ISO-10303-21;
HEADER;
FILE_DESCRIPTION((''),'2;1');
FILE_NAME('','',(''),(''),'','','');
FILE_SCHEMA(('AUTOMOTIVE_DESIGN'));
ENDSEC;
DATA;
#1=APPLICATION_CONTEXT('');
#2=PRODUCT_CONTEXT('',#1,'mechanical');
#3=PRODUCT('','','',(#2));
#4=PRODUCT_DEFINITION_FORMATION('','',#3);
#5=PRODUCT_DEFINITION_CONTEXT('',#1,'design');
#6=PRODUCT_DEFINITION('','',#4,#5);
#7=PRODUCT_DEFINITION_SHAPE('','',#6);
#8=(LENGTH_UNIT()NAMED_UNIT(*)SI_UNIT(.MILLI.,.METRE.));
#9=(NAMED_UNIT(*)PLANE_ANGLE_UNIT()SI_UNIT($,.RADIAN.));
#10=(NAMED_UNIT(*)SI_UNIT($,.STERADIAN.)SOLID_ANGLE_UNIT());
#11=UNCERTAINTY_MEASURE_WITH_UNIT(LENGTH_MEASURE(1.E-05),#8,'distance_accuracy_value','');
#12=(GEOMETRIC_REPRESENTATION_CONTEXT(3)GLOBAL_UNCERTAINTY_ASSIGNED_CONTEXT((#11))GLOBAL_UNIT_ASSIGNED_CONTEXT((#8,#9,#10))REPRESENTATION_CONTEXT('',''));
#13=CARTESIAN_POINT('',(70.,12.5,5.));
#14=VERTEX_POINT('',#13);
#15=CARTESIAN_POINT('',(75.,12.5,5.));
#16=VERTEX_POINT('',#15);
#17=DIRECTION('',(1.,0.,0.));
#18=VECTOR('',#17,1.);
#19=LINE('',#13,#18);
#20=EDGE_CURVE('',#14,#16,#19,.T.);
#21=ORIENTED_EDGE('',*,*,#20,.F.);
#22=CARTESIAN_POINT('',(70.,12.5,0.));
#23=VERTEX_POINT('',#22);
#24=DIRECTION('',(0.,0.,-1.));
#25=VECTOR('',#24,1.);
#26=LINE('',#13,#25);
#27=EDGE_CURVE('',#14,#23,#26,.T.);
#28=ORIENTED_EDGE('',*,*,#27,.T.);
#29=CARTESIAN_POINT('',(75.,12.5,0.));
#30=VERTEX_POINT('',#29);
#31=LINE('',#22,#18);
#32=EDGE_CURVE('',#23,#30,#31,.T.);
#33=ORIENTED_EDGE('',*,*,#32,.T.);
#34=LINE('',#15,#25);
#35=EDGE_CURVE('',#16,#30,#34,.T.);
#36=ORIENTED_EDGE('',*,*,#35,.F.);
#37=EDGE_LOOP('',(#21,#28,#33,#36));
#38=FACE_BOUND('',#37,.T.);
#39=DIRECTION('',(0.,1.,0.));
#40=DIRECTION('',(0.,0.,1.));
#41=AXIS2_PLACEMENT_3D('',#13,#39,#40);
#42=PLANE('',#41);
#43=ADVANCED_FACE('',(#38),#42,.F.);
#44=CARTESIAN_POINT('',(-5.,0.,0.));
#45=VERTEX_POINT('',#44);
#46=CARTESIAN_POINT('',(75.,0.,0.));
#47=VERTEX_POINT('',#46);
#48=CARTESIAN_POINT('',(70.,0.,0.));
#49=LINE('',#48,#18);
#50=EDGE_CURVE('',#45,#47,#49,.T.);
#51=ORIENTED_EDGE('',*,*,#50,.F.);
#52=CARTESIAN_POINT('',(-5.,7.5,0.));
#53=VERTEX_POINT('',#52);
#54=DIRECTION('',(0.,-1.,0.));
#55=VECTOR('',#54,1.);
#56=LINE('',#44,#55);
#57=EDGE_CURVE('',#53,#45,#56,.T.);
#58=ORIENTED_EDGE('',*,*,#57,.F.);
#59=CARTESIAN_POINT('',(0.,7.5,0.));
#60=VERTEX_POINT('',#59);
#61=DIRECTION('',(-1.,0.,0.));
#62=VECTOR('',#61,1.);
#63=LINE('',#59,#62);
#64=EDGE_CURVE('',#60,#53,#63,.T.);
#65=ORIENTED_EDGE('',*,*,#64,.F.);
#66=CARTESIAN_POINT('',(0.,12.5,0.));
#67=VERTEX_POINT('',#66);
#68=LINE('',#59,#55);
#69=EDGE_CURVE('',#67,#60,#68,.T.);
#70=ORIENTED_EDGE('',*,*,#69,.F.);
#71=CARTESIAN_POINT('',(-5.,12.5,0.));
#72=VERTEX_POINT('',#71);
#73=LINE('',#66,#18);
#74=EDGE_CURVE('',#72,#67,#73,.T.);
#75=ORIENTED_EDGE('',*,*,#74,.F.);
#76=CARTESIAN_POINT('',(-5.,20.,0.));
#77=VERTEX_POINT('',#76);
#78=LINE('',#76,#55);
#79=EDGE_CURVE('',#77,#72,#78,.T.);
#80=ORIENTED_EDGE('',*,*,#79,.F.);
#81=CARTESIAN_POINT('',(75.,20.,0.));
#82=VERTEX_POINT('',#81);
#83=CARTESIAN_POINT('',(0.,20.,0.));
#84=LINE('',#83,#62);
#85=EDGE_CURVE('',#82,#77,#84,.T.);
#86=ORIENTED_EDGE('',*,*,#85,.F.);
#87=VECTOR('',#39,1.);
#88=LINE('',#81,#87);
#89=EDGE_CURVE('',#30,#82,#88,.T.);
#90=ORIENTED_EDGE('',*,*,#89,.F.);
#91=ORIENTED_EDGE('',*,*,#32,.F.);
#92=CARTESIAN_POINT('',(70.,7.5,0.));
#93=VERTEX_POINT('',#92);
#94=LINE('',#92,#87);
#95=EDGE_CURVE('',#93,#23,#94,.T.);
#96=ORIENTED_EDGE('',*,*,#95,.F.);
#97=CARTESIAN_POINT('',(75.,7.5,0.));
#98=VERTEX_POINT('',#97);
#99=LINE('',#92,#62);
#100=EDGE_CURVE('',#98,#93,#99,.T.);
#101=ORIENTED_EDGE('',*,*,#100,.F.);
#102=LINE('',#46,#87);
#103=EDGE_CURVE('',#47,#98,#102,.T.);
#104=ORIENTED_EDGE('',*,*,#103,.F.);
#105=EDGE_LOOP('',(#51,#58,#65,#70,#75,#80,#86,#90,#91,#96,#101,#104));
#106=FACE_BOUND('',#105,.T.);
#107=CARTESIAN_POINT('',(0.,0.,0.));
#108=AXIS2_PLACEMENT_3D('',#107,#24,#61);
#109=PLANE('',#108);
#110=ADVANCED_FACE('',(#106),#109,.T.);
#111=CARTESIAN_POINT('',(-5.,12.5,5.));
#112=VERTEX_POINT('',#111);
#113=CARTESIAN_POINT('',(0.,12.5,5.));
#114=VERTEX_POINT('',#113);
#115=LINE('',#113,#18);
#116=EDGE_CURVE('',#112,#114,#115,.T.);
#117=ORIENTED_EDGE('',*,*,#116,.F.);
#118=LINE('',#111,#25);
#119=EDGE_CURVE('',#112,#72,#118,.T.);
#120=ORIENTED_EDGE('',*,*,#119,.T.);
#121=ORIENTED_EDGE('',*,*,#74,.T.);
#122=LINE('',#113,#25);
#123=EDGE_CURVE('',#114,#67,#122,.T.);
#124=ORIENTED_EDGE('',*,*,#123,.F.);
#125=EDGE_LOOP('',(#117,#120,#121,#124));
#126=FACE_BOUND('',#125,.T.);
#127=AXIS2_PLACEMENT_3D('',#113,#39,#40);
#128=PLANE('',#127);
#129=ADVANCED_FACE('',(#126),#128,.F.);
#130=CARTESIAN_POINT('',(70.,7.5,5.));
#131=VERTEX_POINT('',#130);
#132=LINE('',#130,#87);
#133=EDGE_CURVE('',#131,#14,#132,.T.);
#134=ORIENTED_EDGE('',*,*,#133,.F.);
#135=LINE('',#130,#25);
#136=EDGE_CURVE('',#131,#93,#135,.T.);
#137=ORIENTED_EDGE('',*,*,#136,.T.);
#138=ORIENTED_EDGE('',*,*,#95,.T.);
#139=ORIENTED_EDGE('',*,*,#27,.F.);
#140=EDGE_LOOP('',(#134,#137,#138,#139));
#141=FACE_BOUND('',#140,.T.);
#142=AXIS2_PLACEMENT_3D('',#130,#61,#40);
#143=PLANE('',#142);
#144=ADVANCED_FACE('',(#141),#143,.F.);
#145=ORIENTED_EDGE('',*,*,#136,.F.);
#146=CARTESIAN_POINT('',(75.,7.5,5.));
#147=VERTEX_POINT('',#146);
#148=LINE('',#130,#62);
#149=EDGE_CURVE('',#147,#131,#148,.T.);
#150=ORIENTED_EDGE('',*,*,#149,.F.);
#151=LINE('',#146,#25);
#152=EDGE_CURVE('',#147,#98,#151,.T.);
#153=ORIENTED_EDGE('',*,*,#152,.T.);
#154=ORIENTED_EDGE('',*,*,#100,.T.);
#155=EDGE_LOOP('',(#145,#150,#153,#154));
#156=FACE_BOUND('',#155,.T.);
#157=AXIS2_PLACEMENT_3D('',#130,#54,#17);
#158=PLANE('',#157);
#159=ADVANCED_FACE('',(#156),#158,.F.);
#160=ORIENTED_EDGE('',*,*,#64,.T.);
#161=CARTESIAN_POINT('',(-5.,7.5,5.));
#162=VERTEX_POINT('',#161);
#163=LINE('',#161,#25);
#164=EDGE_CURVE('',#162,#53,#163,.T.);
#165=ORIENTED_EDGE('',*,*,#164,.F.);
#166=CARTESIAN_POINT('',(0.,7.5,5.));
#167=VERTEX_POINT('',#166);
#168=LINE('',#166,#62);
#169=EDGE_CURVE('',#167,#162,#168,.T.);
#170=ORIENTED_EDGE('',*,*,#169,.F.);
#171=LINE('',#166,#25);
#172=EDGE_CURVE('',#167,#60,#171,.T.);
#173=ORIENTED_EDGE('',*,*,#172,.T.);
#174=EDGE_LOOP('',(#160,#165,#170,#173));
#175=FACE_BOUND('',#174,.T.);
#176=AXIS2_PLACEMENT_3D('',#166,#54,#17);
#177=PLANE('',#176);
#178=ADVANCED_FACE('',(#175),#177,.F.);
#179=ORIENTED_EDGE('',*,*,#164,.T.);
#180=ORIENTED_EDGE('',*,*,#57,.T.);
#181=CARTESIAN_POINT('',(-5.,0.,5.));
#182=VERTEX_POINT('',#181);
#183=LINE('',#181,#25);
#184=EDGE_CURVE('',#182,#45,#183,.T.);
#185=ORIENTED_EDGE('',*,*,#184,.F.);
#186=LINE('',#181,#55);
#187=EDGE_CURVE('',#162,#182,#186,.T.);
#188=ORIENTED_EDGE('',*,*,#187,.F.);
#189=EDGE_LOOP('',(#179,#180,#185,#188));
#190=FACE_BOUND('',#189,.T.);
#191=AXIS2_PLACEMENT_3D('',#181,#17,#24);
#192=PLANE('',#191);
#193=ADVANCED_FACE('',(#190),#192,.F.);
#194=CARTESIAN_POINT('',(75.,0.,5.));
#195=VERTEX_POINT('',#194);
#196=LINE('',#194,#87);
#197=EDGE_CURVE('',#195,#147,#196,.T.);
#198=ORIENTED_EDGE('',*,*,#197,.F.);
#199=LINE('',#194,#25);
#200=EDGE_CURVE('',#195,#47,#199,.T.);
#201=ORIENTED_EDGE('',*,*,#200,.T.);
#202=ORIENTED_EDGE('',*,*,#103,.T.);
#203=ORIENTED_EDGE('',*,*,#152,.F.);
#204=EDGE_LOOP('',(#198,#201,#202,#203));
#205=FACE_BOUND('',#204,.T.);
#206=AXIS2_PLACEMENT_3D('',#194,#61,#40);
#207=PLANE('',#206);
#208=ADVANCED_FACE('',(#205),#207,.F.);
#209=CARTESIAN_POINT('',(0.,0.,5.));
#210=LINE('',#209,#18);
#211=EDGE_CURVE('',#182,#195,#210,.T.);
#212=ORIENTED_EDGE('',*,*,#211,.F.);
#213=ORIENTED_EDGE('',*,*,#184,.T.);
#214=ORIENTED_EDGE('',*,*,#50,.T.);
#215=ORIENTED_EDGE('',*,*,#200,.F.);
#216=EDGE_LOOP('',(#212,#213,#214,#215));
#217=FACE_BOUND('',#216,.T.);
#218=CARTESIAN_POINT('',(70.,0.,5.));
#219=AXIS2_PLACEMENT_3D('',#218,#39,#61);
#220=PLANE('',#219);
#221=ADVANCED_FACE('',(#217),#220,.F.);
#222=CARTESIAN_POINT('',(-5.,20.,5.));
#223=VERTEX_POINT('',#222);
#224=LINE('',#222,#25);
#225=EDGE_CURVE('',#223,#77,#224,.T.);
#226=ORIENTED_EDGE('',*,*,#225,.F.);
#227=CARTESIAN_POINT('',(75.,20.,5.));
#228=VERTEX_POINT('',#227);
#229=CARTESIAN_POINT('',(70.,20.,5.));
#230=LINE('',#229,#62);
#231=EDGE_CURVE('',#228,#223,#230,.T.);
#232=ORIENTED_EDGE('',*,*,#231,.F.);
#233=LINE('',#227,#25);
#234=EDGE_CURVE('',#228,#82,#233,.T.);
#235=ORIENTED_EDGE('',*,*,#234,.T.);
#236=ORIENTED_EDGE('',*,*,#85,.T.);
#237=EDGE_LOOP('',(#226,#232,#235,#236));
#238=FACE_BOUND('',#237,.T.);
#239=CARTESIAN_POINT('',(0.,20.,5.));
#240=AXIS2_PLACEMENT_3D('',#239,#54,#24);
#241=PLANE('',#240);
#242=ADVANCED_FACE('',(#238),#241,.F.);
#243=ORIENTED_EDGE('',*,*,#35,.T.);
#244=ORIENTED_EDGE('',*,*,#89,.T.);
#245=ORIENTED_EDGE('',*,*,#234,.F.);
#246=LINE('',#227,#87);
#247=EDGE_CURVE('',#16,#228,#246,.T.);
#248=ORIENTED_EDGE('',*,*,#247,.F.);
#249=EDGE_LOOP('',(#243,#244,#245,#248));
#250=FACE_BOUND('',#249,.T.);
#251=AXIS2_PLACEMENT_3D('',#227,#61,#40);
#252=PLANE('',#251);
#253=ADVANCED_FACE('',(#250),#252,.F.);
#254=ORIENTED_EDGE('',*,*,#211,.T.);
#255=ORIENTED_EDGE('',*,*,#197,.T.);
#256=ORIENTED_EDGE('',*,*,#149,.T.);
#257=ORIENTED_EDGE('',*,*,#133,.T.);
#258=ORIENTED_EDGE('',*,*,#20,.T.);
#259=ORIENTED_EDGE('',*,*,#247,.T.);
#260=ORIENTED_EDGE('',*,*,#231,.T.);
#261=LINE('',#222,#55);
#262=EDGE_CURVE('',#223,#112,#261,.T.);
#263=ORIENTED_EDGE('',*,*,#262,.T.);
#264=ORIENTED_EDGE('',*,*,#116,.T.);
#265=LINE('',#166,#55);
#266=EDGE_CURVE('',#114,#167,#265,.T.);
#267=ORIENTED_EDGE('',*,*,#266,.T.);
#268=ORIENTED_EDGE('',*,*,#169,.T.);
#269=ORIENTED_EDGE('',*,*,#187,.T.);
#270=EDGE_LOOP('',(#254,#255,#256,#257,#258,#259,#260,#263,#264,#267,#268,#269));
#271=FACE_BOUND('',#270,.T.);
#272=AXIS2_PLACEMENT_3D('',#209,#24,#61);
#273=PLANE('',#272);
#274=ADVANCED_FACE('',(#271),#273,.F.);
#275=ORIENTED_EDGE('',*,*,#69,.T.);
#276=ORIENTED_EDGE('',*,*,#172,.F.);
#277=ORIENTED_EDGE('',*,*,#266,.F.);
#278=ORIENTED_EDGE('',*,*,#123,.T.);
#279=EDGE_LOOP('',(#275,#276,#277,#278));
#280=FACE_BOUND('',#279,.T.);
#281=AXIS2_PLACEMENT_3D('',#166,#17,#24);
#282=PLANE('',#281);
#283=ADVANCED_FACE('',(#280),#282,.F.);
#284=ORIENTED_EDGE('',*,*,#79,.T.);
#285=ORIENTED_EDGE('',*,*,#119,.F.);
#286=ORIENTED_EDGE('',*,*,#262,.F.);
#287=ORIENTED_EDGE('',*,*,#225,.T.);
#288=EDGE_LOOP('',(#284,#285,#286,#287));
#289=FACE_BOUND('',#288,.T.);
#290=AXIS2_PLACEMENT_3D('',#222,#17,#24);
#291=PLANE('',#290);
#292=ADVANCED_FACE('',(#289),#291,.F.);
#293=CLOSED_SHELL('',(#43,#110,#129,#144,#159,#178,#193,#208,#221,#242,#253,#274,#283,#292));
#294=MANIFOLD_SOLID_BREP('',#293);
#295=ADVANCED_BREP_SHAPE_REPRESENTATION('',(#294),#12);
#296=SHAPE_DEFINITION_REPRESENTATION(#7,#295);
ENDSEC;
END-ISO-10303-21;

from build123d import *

# Parameters (mm, degrees)
BOSS_EXTRU_1_DEPTH = 5


with BuildPart() as part:
    # Esquisse1 → Boss.-Extru.1 (new body)
    with BuildSketch(Plane.XY):
        Polygon((0, 0), (70, 0), (75, 0), (75, 7.5), (70, 7.5), (70, 12.5), (75, 12.5), (75, 20), (70, 20), (0, 20), (-5, 20), (-5, 12.5), (0, 12.5), (0, 7.5), (-5, 7.5), (-5, 0), align=None)
    extrude(amount=BOSS_EXTRU_1_DEPTH)


solid = part.part
